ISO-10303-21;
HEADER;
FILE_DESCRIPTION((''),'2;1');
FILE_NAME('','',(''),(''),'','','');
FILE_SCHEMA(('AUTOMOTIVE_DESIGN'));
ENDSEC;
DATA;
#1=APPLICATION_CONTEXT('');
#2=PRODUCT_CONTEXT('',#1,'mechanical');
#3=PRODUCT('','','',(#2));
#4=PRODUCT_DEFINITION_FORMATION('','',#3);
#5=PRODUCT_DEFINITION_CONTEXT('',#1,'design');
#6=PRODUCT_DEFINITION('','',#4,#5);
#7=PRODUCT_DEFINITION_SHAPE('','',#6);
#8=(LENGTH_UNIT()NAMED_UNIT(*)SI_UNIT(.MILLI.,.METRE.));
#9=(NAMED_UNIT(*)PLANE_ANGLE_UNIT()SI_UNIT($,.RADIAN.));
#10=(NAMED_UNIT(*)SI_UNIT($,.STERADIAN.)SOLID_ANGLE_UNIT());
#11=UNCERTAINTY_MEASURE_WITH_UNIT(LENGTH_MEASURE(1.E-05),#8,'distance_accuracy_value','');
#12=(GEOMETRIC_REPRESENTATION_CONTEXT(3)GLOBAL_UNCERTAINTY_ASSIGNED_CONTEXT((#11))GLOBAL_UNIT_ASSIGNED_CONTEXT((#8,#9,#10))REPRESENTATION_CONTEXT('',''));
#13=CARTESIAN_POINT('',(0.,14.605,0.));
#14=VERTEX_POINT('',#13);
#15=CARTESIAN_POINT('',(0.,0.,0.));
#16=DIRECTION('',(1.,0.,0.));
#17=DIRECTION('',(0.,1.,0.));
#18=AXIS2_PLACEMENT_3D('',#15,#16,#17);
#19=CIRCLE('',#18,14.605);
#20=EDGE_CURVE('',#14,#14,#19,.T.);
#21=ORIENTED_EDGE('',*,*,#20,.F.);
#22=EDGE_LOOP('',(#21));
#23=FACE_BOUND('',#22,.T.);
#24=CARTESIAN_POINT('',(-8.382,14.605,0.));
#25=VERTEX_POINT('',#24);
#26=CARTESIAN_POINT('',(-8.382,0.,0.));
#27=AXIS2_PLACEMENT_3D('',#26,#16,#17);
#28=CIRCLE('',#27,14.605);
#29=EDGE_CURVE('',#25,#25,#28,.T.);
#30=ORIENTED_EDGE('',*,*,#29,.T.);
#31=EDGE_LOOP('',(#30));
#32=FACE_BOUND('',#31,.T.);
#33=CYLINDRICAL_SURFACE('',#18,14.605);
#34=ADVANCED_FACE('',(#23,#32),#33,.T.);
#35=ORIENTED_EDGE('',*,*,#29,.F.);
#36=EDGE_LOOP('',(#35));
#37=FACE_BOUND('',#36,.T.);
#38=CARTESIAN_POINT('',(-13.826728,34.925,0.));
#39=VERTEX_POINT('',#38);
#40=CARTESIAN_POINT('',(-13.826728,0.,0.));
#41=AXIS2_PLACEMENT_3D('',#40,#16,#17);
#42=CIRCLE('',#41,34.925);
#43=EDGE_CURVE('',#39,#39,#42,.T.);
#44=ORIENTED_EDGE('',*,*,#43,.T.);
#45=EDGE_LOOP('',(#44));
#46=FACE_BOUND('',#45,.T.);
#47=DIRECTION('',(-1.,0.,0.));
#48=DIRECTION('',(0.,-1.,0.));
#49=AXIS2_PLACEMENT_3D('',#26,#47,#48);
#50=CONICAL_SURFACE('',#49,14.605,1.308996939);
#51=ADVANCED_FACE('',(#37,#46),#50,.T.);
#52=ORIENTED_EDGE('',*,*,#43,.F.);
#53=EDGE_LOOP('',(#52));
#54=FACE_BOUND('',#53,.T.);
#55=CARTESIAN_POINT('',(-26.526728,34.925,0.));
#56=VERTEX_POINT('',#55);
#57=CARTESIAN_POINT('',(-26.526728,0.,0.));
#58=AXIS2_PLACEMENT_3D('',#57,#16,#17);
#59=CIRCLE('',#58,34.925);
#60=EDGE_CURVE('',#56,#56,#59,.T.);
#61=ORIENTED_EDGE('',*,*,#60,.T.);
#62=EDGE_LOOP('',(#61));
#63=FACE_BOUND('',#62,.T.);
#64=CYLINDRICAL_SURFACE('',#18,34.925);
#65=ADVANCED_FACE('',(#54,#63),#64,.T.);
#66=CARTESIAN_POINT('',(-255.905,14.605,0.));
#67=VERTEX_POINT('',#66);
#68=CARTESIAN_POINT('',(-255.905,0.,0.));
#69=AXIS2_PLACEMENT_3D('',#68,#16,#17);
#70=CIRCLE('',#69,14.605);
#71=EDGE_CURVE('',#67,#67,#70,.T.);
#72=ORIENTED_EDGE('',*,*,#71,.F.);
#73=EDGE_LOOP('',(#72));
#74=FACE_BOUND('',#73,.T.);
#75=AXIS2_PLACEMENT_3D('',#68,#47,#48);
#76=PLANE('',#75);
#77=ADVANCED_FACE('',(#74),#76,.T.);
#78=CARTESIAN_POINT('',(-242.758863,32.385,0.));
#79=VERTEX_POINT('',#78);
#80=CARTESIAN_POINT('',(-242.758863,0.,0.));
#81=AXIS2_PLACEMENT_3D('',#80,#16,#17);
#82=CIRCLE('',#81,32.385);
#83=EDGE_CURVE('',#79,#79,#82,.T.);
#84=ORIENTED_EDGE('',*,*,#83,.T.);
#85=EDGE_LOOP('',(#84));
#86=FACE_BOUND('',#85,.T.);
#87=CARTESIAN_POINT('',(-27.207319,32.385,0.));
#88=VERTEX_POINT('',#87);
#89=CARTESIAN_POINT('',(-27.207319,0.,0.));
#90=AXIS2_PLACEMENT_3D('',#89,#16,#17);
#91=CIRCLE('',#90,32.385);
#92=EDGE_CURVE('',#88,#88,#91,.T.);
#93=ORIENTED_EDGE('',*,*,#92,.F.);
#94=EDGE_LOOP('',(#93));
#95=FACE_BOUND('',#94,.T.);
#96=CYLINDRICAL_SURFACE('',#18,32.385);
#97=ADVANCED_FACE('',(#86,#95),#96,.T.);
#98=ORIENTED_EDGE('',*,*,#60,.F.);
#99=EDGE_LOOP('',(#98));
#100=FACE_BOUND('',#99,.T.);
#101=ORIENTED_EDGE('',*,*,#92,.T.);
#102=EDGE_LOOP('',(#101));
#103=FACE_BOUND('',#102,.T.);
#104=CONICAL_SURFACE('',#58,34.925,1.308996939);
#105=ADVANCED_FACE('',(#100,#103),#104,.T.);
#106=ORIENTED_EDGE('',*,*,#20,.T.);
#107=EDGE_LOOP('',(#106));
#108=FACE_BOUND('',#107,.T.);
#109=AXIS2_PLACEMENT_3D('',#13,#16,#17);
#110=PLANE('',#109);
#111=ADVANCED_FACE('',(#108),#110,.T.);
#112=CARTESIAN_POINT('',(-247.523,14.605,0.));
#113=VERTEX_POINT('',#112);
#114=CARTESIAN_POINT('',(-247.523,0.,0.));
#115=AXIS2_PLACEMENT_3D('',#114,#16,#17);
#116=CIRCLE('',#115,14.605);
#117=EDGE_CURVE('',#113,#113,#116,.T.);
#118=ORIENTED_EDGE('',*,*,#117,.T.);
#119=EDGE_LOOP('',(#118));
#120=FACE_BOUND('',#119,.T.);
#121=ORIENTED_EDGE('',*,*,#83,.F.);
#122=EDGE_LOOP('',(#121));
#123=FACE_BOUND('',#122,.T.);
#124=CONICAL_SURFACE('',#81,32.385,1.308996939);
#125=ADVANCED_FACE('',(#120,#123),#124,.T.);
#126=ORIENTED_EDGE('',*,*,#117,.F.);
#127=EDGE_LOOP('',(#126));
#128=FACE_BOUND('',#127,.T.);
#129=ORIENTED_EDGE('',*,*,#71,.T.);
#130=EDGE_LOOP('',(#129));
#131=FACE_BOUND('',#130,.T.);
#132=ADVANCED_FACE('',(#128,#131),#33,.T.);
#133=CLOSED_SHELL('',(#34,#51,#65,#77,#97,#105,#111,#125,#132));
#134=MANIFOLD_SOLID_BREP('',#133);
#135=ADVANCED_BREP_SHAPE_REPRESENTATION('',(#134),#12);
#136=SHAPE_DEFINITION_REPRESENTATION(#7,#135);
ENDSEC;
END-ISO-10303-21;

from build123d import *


with BuildPart() as part:
    # Sketch1 → Revolve1 (revolve)
    with BuildSketch(Plane.XY):
        Polygon((0, 0), (-255.905, 0), (-255.905, 14.605), (-247.523, 14.605), (-242.758863359, 32.385), (-27.207318539, 32.385), (-26.52672759, 34.925), (-13.82672759, 34.925), (-8.382, 14.605), (0, 14.605), align=None)
    revolve(axis=Axis((0, 0, 0), (-1, 0, 0)))


solid = part.part
